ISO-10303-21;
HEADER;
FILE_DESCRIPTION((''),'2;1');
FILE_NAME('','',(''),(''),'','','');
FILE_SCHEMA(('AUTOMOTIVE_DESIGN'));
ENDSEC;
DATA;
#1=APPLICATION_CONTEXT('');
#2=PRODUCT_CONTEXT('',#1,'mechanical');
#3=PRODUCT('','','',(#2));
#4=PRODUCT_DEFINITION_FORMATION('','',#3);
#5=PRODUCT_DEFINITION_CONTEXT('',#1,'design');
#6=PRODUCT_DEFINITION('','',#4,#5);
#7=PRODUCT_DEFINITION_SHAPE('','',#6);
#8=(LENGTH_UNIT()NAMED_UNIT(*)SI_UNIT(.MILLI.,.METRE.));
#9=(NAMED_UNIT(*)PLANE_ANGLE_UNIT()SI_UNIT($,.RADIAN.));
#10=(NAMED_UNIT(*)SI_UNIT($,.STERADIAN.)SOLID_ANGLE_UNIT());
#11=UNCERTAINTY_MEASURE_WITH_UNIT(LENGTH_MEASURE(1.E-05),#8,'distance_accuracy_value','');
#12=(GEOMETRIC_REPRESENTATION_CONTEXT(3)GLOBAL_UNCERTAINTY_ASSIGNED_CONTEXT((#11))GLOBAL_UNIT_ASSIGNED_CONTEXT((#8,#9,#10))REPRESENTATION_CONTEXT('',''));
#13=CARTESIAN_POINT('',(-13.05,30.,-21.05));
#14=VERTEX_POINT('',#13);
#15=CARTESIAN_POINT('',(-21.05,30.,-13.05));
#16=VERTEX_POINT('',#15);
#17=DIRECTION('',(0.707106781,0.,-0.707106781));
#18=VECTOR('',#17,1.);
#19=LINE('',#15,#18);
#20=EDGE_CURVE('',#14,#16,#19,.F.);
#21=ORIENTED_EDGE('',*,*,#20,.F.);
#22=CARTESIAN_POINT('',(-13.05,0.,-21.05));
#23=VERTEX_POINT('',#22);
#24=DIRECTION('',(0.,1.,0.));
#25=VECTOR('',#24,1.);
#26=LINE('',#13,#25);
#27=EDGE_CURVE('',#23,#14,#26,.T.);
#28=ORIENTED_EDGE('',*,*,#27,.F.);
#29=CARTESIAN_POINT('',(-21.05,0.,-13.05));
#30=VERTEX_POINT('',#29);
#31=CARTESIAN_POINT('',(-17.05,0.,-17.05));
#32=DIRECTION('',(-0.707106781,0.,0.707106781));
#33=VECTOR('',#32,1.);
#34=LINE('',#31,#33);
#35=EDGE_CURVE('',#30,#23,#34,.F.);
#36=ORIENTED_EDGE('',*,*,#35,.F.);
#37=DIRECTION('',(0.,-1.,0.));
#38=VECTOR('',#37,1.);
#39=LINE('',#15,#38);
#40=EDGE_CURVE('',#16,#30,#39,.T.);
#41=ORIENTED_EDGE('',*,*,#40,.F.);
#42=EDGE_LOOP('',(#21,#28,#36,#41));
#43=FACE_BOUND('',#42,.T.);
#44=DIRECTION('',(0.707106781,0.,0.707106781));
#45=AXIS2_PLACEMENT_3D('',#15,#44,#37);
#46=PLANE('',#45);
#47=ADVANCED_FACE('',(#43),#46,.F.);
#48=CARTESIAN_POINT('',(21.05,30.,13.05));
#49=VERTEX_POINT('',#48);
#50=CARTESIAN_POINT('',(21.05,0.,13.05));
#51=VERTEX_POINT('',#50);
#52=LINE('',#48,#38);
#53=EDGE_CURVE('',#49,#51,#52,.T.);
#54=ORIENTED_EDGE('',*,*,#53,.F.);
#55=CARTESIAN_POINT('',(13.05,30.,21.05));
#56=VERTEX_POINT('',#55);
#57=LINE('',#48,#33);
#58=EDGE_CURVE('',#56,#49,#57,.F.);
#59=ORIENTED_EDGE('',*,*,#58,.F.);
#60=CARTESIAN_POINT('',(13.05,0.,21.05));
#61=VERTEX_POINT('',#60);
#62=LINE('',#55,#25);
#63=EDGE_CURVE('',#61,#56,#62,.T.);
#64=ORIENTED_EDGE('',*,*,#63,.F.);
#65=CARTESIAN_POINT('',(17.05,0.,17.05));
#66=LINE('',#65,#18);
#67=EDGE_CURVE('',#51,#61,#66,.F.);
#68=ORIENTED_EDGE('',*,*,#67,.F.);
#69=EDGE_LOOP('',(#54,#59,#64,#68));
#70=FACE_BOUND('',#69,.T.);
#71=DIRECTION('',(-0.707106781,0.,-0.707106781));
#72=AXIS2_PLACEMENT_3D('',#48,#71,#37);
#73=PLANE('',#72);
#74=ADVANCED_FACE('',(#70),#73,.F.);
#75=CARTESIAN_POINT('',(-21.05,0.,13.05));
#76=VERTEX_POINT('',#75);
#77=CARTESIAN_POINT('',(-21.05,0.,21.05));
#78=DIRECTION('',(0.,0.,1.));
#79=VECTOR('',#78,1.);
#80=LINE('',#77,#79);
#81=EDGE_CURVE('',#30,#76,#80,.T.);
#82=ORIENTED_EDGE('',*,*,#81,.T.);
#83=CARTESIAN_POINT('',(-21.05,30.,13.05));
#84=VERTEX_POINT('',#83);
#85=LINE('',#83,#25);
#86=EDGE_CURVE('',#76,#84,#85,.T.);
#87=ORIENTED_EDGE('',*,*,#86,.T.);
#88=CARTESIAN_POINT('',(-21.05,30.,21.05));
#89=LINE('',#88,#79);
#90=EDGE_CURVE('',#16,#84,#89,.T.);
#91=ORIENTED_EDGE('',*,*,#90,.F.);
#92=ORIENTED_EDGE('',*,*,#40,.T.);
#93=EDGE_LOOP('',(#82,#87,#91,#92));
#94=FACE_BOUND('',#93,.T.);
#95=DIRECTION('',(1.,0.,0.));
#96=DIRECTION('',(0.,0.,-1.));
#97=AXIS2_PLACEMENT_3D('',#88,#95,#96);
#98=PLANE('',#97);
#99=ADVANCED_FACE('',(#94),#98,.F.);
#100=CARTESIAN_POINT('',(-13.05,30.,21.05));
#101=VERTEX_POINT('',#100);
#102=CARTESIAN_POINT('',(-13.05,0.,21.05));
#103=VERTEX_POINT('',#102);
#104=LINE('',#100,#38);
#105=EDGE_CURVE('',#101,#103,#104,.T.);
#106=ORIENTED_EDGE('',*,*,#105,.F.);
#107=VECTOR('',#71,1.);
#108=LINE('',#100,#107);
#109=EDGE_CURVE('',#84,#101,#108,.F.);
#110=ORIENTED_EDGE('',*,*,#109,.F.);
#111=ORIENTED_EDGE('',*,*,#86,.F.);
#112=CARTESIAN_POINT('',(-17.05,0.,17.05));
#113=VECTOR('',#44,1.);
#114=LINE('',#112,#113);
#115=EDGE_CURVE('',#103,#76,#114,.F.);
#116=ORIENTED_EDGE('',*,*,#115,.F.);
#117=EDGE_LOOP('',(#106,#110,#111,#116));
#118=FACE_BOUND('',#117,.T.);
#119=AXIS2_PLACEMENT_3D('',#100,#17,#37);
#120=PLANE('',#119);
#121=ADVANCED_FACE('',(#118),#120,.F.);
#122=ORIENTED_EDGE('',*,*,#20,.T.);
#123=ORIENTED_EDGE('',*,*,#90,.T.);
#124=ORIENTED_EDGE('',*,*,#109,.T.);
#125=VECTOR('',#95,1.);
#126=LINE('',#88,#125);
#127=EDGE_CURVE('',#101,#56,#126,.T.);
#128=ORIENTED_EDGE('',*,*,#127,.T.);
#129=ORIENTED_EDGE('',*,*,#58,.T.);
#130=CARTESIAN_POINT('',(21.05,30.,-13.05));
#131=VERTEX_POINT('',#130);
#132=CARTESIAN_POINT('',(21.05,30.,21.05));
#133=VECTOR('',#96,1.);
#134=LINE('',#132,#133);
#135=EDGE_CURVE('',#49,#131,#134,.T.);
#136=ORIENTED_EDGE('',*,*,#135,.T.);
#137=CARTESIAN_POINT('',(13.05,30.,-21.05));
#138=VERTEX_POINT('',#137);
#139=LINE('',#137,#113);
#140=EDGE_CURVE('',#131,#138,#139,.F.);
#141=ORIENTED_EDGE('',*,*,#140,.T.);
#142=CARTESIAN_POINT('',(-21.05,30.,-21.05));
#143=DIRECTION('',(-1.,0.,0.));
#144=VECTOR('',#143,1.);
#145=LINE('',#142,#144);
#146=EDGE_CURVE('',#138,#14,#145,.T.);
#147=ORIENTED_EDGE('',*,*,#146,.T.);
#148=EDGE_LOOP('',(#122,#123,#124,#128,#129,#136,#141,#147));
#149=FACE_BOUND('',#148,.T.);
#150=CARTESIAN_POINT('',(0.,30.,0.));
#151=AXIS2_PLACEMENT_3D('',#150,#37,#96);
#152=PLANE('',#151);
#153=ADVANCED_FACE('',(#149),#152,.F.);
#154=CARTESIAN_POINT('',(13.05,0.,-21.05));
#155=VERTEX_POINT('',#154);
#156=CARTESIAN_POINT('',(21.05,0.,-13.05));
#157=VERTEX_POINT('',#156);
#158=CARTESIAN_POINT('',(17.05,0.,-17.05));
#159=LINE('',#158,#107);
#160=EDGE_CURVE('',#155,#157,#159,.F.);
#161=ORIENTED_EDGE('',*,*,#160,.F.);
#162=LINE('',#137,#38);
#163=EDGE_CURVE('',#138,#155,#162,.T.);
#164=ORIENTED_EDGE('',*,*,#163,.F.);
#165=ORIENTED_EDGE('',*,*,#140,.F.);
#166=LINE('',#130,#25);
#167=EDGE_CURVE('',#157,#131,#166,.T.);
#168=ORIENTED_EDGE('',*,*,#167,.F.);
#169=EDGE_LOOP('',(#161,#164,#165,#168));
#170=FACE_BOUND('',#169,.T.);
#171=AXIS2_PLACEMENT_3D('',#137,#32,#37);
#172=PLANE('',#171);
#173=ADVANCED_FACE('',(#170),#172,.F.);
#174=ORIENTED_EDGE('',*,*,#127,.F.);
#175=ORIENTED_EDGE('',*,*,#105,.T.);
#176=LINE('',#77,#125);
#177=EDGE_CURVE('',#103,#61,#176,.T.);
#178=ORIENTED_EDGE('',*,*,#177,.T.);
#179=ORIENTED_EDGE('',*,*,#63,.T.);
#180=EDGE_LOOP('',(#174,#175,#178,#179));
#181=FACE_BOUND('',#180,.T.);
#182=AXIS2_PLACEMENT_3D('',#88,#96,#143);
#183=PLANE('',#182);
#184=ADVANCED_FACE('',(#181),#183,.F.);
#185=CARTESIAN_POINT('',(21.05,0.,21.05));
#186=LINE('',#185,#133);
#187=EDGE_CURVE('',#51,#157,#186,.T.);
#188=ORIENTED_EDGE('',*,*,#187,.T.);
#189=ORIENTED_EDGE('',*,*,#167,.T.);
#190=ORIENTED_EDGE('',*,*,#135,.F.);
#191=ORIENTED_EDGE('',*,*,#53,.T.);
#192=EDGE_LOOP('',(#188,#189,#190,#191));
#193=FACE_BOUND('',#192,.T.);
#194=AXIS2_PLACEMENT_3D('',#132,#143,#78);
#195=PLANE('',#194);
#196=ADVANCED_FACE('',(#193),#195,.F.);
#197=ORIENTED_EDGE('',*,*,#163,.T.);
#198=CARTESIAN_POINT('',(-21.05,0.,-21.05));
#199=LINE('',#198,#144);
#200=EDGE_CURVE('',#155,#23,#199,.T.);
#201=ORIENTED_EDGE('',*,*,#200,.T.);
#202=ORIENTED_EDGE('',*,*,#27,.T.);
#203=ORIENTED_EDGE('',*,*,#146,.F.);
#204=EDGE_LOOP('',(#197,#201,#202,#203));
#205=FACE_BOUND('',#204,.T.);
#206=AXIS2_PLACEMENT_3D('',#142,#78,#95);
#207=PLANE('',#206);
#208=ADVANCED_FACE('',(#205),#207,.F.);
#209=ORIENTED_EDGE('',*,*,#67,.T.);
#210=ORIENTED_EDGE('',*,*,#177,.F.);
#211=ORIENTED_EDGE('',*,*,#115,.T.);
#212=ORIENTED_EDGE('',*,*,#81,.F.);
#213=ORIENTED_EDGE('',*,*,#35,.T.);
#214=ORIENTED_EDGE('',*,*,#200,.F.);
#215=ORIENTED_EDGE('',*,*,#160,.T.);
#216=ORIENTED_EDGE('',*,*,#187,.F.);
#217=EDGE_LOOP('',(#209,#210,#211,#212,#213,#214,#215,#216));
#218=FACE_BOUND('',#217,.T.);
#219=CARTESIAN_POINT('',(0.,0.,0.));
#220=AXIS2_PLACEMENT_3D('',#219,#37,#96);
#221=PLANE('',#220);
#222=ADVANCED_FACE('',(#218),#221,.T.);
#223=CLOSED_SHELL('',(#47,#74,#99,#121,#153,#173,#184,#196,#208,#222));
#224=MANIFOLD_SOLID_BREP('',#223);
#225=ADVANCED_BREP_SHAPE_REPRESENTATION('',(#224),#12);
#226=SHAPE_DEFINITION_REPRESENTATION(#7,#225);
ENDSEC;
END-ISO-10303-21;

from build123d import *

# Parameters (mm, degrees)
SKETCH1_W           = 42.1
SKETCH1_H           = 42.1
BOSS_EXTRUDE1_DEPTH = 30
CHAMFER2_SIZE       = 8


with BuildPart() as part:
    # Sketch1 → Boss-Extrude1 (new body)
    with BuildSketch(Plane(origin=(0, 0, 0), x_dir=(1, 0, 0), z_dir=(0, 1, 0))):
        Rectangle(SKETCH1_W, SKETCH1_H)
    extrude(amount=BOSS_EXTRUDE1_DEPTH)

    # Chamfer2
    chamfer2_edges = [part.edges().sort_by_distance(p)[0] for p in [
        (21.05, 15, 21.05),
        (-21.05, 15, 21.05),
        (-21.05, 15, -21.05),
        (21.05, 15, -21.05),
    ]]
    chamfer(chamfer2_edges, length=CHAMFER2_SIZE)


solid = part.part
